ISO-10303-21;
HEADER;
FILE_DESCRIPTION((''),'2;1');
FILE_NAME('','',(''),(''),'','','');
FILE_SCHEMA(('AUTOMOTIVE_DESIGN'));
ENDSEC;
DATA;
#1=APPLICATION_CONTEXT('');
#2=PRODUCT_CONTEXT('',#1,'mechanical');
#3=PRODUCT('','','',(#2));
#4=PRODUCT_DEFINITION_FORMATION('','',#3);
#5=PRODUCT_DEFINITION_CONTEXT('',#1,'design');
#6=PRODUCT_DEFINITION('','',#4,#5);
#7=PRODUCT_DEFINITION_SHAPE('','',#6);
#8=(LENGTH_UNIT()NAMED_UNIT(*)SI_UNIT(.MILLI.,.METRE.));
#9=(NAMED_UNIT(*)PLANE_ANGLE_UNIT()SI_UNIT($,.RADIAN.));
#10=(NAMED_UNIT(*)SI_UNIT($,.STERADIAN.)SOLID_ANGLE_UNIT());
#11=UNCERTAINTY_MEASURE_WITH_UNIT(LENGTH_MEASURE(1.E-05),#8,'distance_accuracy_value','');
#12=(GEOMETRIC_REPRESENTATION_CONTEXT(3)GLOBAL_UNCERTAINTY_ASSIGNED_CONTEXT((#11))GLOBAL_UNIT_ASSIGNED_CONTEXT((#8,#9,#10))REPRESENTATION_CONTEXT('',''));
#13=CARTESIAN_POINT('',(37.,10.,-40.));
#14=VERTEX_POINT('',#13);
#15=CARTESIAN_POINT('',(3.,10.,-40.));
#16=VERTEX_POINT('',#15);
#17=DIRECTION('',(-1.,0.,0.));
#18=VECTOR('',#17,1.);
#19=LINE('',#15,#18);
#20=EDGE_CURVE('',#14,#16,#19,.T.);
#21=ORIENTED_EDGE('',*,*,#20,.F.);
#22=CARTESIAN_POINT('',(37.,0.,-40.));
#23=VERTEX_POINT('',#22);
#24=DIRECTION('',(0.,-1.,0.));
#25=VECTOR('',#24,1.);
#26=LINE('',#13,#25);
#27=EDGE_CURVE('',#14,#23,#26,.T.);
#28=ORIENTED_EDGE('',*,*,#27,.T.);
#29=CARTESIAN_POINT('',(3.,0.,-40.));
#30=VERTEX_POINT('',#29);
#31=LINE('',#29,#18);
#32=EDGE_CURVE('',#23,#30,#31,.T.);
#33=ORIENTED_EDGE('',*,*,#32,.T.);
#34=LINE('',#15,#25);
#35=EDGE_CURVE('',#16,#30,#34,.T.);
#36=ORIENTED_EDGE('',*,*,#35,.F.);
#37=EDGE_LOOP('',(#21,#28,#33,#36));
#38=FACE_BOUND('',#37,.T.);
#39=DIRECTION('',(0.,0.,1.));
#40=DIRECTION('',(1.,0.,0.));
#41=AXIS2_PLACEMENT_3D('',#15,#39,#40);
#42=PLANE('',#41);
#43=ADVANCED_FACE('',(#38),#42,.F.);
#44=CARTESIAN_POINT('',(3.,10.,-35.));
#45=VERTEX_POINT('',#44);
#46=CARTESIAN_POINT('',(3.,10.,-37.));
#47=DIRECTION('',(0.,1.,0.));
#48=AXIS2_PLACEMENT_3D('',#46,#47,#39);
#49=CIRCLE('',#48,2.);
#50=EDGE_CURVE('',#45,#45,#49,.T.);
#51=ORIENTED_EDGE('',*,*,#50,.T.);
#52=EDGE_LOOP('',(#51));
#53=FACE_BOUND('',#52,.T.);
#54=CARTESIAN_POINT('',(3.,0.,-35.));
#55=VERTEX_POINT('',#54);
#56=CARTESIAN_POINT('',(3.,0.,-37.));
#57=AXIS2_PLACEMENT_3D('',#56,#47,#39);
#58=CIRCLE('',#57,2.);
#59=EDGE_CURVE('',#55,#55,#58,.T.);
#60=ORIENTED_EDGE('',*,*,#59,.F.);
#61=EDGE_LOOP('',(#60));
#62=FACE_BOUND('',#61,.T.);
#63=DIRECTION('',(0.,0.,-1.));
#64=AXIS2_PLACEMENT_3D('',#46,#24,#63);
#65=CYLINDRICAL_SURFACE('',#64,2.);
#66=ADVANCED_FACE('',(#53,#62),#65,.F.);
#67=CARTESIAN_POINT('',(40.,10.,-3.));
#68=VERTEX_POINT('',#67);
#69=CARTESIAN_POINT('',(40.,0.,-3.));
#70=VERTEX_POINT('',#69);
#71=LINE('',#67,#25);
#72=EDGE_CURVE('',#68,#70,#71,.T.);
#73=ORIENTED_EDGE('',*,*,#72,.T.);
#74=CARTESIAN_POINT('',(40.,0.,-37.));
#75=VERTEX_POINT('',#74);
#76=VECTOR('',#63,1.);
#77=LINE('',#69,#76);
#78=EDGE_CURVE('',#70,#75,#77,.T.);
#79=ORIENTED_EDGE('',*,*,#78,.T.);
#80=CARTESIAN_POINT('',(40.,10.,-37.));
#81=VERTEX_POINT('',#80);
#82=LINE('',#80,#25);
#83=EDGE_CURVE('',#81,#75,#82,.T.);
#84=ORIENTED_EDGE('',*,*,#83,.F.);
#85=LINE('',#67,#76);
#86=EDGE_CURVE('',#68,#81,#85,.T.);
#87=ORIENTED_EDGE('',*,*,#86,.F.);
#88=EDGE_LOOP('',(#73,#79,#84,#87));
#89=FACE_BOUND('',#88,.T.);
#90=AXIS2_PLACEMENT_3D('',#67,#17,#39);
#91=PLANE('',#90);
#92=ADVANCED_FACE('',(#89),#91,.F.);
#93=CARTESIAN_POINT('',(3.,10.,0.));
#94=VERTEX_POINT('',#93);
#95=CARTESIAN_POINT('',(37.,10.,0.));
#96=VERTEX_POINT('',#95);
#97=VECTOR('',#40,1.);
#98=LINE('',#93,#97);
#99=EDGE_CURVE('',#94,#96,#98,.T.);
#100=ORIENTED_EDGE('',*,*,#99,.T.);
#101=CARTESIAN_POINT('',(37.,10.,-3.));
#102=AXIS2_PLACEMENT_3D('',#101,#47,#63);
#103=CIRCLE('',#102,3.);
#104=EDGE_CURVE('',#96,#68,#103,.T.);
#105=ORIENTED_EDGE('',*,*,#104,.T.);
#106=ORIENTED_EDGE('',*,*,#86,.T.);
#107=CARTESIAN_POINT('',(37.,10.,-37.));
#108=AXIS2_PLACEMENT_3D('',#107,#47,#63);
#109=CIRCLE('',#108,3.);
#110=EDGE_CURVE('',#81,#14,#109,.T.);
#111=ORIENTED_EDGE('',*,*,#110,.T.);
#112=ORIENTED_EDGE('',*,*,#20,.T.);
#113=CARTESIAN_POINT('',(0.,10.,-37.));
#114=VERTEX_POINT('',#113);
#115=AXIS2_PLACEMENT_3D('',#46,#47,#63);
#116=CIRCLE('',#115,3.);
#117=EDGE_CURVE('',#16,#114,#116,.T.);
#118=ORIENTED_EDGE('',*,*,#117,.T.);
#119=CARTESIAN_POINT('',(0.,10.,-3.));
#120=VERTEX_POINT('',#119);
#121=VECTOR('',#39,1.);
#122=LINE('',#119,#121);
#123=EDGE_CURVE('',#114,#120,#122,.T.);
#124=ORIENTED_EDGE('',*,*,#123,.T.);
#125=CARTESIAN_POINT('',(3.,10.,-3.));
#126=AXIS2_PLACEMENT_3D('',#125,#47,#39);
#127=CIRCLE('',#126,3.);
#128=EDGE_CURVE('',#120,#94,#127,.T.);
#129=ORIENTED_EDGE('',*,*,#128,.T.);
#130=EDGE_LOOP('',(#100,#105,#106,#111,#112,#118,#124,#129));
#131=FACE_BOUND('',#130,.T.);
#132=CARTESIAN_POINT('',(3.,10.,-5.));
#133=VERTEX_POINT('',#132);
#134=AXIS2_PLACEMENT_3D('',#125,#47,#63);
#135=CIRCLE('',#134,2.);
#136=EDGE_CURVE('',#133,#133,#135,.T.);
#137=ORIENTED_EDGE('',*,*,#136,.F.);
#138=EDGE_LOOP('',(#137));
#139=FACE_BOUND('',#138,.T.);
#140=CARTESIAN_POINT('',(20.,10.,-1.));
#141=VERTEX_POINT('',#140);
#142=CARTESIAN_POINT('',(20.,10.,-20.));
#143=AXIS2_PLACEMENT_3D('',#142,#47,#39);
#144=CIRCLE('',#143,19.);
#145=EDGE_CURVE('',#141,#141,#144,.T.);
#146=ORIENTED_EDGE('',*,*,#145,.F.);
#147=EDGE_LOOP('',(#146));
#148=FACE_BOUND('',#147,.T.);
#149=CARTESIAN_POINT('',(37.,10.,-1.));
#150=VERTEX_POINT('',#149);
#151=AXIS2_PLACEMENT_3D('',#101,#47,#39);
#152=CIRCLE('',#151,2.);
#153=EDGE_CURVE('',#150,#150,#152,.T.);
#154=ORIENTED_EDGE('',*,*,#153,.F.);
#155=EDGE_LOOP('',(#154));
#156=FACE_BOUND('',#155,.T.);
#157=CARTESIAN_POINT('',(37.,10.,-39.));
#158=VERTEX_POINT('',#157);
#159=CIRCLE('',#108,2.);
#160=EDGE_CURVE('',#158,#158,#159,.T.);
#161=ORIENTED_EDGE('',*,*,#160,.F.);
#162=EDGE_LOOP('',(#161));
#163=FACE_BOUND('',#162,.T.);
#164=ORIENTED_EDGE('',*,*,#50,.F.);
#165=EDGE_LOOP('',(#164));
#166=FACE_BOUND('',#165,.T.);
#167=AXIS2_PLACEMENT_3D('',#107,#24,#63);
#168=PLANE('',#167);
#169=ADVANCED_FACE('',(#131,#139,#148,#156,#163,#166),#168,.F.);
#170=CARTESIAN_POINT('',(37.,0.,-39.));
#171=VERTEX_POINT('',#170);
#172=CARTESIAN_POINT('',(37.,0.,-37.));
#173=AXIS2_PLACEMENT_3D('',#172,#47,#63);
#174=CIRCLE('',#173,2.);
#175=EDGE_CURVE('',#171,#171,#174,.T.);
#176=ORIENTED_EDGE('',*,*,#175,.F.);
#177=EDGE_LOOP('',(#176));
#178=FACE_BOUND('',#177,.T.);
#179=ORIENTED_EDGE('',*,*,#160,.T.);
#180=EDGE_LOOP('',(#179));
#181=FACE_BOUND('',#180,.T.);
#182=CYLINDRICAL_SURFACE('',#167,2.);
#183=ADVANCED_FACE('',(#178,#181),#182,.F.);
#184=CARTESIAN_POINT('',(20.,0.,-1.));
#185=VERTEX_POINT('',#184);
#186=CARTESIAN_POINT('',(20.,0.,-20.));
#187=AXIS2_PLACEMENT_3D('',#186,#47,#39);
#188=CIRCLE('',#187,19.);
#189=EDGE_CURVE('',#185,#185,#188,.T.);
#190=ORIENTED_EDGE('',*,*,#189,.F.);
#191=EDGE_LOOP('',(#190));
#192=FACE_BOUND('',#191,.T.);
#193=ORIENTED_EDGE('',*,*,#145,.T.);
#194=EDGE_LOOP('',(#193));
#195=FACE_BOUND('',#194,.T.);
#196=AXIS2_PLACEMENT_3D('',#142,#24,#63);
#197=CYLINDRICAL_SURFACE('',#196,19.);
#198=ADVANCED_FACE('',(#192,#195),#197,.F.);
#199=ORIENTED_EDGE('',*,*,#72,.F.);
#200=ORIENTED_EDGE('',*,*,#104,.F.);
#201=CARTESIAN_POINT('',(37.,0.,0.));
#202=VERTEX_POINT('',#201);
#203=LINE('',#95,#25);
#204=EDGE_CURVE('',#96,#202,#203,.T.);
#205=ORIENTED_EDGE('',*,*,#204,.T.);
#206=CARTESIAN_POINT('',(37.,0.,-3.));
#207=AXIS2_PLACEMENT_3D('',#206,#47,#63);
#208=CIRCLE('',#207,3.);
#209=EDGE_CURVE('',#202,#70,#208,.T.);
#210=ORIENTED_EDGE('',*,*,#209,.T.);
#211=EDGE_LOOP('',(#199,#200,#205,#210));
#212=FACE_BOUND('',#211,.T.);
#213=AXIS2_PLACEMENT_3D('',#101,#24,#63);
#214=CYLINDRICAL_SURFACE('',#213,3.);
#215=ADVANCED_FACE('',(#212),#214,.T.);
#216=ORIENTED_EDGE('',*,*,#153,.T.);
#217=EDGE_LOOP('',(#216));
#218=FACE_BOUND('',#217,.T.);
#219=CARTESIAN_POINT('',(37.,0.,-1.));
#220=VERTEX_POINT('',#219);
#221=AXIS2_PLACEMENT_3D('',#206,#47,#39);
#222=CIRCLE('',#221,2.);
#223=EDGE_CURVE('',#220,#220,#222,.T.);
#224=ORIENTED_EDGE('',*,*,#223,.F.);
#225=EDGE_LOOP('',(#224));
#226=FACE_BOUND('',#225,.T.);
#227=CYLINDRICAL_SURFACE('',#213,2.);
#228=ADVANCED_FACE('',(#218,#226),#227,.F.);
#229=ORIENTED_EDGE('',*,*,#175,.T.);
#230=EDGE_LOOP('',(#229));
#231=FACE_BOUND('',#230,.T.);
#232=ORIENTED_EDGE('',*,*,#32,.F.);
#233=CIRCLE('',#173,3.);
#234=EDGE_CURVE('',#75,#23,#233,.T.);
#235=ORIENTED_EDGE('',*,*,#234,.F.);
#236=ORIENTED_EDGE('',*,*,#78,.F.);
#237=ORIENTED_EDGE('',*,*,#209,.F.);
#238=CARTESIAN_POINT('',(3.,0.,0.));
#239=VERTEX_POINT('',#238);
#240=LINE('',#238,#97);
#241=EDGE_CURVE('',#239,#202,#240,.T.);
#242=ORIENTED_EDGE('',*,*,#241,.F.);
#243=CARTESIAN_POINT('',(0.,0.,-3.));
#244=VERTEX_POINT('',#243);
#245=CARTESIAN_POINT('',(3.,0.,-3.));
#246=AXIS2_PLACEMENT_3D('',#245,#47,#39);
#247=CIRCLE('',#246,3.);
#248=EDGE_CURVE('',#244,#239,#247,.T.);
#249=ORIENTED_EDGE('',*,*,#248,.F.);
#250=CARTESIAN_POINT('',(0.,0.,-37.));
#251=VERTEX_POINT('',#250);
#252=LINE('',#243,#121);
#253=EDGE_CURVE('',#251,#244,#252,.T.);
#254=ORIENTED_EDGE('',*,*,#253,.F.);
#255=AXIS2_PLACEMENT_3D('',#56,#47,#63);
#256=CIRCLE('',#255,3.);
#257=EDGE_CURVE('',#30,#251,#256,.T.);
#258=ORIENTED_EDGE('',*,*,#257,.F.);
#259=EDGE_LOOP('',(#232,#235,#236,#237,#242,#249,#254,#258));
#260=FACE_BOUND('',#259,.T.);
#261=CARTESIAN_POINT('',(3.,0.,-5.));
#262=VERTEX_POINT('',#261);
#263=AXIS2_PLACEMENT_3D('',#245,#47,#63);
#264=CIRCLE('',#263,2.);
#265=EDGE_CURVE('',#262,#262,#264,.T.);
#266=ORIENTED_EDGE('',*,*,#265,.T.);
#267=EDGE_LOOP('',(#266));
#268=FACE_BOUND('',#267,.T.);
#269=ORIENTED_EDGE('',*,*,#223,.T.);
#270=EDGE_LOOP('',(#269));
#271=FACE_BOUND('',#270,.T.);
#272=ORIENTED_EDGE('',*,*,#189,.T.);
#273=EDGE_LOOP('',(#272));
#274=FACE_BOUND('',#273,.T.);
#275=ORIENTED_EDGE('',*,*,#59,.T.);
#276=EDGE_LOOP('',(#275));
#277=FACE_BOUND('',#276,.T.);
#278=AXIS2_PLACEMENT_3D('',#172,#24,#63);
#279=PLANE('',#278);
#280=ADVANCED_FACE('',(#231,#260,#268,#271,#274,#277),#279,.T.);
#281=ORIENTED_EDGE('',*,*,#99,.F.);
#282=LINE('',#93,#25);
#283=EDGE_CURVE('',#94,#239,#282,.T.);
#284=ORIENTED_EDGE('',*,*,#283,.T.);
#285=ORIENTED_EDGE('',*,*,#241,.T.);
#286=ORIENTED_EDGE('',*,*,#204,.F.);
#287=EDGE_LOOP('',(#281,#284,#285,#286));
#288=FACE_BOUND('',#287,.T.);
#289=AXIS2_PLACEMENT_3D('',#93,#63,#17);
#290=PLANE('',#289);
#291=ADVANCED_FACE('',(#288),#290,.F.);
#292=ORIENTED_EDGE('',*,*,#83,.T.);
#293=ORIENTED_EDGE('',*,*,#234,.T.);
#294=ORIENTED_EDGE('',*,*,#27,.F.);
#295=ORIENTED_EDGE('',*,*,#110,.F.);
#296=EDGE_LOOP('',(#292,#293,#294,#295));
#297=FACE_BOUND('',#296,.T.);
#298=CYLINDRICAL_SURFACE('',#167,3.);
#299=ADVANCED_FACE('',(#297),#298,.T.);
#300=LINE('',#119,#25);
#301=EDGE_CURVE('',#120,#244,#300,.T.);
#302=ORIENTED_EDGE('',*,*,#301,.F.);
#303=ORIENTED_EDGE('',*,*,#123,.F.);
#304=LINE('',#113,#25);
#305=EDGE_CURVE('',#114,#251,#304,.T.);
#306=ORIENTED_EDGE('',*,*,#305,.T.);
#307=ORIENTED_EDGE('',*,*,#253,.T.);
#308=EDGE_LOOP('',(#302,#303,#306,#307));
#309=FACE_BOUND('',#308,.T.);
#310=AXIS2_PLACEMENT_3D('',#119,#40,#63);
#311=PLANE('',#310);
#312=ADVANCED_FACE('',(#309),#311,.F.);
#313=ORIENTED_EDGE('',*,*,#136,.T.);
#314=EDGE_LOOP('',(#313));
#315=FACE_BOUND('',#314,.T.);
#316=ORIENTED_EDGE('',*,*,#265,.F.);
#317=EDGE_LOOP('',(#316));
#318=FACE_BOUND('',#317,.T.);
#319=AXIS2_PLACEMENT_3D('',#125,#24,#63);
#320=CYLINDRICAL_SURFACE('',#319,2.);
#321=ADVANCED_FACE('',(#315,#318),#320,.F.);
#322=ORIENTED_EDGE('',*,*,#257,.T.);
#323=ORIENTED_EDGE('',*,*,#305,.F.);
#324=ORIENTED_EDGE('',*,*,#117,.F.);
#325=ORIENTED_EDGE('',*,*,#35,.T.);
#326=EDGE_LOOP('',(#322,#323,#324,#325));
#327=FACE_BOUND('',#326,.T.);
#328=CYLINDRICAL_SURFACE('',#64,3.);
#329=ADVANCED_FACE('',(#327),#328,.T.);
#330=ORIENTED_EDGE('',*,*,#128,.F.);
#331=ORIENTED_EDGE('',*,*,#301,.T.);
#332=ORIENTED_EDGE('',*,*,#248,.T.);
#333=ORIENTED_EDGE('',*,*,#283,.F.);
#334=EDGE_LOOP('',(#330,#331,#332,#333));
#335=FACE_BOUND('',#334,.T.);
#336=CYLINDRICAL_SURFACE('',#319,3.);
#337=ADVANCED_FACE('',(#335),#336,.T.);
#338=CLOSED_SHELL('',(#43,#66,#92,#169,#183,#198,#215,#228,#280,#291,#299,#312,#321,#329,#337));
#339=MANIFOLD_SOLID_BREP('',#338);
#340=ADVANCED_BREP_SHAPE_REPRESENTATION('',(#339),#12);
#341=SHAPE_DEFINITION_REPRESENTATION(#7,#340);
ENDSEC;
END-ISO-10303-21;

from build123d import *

# Parameters (mm, degrees)
SKETCH1_R           = 19
SKETCH1_R_2         = 2
BOSS_EXTRUDE1_DEPTH = 10


with BuildPart() as part:
    # Sketch1 → Boss-Extrude1 (new body)
    with BuildSketch(Plane(origin=(0, 0, 0), x_dir=(1, 0, 0), z_dir=(0, 1, 0))):
        with BuildLine():
            Line((3, 0), (37, 0))
            ThreePointArc((37, 0), (39.121320344, 0.878679656), (40, 3))
            Line((40, 3), (40, 37))
            ThreePointArc((40, 37), (39.121320344, 39.121320344), (37, 40))
            Line((37, 40), (3, 40))
            ThreePointArc((3, 40), (0.878679656, 39.121320344), (0, 37))
            Line((0, 37), (0, 3))
            ThreePointArc((0, 3), (0.878679656, 0.878679656), (3, 0))
        make_face()
        with Locations(Location((20, 20, 0), (0, 0, 270))):
            Circle(SKETCH1_R, mode=Mode.SUBTRACT)
        with Locations(Location((3, 37, 0), (0, 0, 270))):
            Circle(SKETCH1_R_2, mode=Mode.SUBTRACT)
        with Locations(Location((37, 37, 0), (0, 0, 90))):
            Circle(SKETCH1_R_2, mode=Mode.SUBTRACT)
        with Locations(Location((37, 3, 0), (0, 0, 270))):
            Circle(SKETCH1_R_2, mode=Mode.SUBTRACT)
        with Locations(Location((3, 3, 0), (0, 0, 90))):
            Circle(SKETCH1_R_2, mode=Mode.SUBTRACT)
    extrude(amount=BOSS_EXTRUDE1_DEPTH)


solid = part.part
